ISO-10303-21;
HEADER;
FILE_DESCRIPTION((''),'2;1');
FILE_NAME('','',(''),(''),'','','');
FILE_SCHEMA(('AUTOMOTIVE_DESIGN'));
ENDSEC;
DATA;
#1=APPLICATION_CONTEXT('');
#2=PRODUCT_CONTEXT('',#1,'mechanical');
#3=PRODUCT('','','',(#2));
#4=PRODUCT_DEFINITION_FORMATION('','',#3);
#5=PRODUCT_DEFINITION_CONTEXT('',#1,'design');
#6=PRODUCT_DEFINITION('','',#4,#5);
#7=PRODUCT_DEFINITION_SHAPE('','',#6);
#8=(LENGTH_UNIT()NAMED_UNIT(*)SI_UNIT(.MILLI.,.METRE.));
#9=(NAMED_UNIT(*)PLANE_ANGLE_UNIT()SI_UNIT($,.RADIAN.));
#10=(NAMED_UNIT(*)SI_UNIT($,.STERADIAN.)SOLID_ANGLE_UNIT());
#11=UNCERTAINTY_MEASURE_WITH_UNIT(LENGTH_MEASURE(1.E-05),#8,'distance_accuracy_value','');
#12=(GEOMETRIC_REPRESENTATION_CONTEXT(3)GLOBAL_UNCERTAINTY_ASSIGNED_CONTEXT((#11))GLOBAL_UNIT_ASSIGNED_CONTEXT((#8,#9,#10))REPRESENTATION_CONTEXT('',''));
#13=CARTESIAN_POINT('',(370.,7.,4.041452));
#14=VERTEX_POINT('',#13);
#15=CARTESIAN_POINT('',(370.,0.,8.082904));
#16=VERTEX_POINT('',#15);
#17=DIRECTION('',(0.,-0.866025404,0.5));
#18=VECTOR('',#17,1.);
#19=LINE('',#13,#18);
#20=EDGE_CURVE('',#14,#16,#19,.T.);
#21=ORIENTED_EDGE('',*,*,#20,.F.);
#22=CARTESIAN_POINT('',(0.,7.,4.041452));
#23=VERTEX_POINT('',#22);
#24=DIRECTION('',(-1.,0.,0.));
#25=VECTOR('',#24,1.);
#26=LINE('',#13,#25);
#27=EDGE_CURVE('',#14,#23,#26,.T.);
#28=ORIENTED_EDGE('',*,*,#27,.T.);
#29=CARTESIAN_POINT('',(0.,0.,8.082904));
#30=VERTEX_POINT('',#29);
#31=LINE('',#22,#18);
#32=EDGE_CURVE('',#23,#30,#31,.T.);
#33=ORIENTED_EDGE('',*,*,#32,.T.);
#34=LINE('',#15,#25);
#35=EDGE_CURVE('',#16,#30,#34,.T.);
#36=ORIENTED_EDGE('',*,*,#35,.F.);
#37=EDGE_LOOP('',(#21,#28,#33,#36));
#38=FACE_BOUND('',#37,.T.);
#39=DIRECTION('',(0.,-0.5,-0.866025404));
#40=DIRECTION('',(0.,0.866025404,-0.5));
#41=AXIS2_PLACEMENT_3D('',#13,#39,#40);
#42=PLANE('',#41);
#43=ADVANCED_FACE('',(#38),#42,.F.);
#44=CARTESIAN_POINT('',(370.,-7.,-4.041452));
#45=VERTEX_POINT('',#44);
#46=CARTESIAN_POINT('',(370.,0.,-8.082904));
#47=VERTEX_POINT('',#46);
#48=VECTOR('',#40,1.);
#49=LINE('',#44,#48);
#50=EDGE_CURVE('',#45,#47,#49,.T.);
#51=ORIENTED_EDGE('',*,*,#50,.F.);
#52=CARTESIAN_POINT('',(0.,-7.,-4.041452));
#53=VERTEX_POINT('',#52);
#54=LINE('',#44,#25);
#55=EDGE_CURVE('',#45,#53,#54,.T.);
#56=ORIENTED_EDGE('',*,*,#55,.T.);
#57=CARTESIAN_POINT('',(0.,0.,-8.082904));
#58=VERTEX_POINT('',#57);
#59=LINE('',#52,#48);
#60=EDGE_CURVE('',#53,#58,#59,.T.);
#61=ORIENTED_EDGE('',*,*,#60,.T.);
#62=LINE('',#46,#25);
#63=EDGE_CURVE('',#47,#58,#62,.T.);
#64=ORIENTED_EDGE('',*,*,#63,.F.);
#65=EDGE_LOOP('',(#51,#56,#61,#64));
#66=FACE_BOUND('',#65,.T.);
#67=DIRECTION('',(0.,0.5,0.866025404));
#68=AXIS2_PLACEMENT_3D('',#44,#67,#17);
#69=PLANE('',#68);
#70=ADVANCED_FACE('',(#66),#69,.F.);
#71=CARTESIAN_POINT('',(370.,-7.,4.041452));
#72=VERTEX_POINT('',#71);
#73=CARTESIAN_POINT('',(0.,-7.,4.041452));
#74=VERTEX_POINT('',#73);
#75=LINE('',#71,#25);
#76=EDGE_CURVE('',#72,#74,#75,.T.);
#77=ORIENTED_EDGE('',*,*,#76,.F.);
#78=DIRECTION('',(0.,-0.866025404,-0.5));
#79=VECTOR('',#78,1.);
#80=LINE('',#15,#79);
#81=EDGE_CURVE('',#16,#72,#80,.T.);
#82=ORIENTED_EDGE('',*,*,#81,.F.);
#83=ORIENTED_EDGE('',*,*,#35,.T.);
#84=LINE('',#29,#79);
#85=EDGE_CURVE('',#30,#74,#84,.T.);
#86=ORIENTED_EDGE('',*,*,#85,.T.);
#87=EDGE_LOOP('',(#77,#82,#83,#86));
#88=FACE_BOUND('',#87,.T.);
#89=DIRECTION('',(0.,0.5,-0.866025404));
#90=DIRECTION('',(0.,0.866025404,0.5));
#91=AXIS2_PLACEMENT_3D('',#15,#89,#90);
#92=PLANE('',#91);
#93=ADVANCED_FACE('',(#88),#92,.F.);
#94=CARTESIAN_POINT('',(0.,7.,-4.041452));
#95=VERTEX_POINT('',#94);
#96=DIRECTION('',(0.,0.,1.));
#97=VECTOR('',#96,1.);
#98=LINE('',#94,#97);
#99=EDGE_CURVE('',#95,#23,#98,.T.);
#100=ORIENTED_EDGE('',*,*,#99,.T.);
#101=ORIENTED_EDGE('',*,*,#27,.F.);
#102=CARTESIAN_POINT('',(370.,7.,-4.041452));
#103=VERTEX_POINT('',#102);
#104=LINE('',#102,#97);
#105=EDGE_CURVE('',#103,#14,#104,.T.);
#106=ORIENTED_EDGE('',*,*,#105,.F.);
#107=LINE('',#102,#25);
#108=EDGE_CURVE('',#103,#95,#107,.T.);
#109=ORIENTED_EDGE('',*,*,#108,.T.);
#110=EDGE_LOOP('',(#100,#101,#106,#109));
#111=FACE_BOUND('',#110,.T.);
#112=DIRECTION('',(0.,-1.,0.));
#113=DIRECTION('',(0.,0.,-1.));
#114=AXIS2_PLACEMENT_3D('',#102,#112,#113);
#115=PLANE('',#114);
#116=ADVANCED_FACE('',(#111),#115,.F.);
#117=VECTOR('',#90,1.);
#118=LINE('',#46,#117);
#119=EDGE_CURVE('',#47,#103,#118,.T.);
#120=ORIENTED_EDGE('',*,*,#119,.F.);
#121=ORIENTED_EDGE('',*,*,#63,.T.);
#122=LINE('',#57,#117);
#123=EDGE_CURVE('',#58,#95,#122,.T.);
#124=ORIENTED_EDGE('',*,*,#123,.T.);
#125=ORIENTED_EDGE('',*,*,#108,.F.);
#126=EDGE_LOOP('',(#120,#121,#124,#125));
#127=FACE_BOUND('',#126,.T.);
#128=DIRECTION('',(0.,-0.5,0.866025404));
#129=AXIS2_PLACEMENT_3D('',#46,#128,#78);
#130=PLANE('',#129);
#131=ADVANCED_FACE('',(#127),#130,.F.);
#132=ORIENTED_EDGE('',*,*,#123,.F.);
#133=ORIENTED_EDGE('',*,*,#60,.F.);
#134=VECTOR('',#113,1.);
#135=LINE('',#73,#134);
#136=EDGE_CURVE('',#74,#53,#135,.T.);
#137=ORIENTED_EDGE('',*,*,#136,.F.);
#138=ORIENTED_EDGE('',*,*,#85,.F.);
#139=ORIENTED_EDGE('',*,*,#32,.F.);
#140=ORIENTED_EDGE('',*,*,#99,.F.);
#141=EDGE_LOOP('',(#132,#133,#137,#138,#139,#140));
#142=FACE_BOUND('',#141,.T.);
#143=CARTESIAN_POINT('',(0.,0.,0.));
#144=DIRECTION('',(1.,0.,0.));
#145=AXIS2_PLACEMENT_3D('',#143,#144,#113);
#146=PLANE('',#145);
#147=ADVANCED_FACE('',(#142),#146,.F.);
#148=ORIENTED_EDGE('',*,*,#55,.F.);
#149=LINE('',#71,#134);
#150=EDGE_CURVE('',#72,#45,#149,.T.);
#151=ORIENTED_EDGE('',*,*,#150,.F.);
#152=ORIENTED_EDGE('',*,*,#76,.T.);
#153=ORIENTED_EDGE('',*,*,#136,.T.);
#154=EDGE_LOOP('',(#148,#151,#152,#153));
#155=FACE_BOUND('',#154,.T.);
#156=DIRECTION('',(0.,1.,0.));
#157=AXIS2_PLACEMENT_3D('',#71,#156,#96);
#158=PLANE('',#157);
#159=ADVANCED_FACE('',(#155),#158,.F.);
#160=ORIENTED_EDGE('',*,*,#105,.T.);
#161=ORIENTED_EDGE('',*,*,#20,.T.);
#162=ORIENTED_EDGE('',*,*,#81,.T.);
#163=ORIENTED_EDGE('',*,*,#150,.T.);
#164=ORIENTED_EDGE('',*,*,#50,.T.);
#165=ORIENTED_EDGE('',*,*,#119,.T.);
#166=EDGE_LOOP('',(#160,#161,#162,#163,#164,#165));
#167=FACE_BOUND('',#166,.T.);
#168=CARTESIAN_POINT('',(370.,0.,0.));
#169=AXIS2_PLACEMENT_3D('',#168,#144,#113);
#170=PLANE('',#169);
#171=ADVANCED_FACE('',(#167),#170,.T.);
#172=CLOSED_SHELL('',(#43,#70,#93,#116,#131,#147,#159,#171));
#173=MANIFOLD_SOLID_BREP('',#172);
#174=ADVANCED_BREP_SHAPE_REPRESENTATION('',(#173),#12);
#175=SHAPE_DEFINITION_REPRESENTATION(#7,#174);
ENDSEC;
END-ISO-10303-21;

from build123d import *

# Parameters (mm, degrees)
EXTRUDE_1_DEPTH = 370


with BuildPart() as part:
    # Эскиз1 → Бобышка-Вытянуть1 (new body)
    with BuildSketch(Plane(origin=(0, 0, 0), x_dir=(0, 0, -1), z_dir=(1, 0, 0))):
        Polygon((8.082903769, 0), (4.041451884, 7), (-4.041451884, 7), (-8.082903769, 0), (-4.041451884, -7), (4.041451884, -7), align=None)
    extrude(amount=EXTRUDE_1_DEPTH)


solid = part.part
